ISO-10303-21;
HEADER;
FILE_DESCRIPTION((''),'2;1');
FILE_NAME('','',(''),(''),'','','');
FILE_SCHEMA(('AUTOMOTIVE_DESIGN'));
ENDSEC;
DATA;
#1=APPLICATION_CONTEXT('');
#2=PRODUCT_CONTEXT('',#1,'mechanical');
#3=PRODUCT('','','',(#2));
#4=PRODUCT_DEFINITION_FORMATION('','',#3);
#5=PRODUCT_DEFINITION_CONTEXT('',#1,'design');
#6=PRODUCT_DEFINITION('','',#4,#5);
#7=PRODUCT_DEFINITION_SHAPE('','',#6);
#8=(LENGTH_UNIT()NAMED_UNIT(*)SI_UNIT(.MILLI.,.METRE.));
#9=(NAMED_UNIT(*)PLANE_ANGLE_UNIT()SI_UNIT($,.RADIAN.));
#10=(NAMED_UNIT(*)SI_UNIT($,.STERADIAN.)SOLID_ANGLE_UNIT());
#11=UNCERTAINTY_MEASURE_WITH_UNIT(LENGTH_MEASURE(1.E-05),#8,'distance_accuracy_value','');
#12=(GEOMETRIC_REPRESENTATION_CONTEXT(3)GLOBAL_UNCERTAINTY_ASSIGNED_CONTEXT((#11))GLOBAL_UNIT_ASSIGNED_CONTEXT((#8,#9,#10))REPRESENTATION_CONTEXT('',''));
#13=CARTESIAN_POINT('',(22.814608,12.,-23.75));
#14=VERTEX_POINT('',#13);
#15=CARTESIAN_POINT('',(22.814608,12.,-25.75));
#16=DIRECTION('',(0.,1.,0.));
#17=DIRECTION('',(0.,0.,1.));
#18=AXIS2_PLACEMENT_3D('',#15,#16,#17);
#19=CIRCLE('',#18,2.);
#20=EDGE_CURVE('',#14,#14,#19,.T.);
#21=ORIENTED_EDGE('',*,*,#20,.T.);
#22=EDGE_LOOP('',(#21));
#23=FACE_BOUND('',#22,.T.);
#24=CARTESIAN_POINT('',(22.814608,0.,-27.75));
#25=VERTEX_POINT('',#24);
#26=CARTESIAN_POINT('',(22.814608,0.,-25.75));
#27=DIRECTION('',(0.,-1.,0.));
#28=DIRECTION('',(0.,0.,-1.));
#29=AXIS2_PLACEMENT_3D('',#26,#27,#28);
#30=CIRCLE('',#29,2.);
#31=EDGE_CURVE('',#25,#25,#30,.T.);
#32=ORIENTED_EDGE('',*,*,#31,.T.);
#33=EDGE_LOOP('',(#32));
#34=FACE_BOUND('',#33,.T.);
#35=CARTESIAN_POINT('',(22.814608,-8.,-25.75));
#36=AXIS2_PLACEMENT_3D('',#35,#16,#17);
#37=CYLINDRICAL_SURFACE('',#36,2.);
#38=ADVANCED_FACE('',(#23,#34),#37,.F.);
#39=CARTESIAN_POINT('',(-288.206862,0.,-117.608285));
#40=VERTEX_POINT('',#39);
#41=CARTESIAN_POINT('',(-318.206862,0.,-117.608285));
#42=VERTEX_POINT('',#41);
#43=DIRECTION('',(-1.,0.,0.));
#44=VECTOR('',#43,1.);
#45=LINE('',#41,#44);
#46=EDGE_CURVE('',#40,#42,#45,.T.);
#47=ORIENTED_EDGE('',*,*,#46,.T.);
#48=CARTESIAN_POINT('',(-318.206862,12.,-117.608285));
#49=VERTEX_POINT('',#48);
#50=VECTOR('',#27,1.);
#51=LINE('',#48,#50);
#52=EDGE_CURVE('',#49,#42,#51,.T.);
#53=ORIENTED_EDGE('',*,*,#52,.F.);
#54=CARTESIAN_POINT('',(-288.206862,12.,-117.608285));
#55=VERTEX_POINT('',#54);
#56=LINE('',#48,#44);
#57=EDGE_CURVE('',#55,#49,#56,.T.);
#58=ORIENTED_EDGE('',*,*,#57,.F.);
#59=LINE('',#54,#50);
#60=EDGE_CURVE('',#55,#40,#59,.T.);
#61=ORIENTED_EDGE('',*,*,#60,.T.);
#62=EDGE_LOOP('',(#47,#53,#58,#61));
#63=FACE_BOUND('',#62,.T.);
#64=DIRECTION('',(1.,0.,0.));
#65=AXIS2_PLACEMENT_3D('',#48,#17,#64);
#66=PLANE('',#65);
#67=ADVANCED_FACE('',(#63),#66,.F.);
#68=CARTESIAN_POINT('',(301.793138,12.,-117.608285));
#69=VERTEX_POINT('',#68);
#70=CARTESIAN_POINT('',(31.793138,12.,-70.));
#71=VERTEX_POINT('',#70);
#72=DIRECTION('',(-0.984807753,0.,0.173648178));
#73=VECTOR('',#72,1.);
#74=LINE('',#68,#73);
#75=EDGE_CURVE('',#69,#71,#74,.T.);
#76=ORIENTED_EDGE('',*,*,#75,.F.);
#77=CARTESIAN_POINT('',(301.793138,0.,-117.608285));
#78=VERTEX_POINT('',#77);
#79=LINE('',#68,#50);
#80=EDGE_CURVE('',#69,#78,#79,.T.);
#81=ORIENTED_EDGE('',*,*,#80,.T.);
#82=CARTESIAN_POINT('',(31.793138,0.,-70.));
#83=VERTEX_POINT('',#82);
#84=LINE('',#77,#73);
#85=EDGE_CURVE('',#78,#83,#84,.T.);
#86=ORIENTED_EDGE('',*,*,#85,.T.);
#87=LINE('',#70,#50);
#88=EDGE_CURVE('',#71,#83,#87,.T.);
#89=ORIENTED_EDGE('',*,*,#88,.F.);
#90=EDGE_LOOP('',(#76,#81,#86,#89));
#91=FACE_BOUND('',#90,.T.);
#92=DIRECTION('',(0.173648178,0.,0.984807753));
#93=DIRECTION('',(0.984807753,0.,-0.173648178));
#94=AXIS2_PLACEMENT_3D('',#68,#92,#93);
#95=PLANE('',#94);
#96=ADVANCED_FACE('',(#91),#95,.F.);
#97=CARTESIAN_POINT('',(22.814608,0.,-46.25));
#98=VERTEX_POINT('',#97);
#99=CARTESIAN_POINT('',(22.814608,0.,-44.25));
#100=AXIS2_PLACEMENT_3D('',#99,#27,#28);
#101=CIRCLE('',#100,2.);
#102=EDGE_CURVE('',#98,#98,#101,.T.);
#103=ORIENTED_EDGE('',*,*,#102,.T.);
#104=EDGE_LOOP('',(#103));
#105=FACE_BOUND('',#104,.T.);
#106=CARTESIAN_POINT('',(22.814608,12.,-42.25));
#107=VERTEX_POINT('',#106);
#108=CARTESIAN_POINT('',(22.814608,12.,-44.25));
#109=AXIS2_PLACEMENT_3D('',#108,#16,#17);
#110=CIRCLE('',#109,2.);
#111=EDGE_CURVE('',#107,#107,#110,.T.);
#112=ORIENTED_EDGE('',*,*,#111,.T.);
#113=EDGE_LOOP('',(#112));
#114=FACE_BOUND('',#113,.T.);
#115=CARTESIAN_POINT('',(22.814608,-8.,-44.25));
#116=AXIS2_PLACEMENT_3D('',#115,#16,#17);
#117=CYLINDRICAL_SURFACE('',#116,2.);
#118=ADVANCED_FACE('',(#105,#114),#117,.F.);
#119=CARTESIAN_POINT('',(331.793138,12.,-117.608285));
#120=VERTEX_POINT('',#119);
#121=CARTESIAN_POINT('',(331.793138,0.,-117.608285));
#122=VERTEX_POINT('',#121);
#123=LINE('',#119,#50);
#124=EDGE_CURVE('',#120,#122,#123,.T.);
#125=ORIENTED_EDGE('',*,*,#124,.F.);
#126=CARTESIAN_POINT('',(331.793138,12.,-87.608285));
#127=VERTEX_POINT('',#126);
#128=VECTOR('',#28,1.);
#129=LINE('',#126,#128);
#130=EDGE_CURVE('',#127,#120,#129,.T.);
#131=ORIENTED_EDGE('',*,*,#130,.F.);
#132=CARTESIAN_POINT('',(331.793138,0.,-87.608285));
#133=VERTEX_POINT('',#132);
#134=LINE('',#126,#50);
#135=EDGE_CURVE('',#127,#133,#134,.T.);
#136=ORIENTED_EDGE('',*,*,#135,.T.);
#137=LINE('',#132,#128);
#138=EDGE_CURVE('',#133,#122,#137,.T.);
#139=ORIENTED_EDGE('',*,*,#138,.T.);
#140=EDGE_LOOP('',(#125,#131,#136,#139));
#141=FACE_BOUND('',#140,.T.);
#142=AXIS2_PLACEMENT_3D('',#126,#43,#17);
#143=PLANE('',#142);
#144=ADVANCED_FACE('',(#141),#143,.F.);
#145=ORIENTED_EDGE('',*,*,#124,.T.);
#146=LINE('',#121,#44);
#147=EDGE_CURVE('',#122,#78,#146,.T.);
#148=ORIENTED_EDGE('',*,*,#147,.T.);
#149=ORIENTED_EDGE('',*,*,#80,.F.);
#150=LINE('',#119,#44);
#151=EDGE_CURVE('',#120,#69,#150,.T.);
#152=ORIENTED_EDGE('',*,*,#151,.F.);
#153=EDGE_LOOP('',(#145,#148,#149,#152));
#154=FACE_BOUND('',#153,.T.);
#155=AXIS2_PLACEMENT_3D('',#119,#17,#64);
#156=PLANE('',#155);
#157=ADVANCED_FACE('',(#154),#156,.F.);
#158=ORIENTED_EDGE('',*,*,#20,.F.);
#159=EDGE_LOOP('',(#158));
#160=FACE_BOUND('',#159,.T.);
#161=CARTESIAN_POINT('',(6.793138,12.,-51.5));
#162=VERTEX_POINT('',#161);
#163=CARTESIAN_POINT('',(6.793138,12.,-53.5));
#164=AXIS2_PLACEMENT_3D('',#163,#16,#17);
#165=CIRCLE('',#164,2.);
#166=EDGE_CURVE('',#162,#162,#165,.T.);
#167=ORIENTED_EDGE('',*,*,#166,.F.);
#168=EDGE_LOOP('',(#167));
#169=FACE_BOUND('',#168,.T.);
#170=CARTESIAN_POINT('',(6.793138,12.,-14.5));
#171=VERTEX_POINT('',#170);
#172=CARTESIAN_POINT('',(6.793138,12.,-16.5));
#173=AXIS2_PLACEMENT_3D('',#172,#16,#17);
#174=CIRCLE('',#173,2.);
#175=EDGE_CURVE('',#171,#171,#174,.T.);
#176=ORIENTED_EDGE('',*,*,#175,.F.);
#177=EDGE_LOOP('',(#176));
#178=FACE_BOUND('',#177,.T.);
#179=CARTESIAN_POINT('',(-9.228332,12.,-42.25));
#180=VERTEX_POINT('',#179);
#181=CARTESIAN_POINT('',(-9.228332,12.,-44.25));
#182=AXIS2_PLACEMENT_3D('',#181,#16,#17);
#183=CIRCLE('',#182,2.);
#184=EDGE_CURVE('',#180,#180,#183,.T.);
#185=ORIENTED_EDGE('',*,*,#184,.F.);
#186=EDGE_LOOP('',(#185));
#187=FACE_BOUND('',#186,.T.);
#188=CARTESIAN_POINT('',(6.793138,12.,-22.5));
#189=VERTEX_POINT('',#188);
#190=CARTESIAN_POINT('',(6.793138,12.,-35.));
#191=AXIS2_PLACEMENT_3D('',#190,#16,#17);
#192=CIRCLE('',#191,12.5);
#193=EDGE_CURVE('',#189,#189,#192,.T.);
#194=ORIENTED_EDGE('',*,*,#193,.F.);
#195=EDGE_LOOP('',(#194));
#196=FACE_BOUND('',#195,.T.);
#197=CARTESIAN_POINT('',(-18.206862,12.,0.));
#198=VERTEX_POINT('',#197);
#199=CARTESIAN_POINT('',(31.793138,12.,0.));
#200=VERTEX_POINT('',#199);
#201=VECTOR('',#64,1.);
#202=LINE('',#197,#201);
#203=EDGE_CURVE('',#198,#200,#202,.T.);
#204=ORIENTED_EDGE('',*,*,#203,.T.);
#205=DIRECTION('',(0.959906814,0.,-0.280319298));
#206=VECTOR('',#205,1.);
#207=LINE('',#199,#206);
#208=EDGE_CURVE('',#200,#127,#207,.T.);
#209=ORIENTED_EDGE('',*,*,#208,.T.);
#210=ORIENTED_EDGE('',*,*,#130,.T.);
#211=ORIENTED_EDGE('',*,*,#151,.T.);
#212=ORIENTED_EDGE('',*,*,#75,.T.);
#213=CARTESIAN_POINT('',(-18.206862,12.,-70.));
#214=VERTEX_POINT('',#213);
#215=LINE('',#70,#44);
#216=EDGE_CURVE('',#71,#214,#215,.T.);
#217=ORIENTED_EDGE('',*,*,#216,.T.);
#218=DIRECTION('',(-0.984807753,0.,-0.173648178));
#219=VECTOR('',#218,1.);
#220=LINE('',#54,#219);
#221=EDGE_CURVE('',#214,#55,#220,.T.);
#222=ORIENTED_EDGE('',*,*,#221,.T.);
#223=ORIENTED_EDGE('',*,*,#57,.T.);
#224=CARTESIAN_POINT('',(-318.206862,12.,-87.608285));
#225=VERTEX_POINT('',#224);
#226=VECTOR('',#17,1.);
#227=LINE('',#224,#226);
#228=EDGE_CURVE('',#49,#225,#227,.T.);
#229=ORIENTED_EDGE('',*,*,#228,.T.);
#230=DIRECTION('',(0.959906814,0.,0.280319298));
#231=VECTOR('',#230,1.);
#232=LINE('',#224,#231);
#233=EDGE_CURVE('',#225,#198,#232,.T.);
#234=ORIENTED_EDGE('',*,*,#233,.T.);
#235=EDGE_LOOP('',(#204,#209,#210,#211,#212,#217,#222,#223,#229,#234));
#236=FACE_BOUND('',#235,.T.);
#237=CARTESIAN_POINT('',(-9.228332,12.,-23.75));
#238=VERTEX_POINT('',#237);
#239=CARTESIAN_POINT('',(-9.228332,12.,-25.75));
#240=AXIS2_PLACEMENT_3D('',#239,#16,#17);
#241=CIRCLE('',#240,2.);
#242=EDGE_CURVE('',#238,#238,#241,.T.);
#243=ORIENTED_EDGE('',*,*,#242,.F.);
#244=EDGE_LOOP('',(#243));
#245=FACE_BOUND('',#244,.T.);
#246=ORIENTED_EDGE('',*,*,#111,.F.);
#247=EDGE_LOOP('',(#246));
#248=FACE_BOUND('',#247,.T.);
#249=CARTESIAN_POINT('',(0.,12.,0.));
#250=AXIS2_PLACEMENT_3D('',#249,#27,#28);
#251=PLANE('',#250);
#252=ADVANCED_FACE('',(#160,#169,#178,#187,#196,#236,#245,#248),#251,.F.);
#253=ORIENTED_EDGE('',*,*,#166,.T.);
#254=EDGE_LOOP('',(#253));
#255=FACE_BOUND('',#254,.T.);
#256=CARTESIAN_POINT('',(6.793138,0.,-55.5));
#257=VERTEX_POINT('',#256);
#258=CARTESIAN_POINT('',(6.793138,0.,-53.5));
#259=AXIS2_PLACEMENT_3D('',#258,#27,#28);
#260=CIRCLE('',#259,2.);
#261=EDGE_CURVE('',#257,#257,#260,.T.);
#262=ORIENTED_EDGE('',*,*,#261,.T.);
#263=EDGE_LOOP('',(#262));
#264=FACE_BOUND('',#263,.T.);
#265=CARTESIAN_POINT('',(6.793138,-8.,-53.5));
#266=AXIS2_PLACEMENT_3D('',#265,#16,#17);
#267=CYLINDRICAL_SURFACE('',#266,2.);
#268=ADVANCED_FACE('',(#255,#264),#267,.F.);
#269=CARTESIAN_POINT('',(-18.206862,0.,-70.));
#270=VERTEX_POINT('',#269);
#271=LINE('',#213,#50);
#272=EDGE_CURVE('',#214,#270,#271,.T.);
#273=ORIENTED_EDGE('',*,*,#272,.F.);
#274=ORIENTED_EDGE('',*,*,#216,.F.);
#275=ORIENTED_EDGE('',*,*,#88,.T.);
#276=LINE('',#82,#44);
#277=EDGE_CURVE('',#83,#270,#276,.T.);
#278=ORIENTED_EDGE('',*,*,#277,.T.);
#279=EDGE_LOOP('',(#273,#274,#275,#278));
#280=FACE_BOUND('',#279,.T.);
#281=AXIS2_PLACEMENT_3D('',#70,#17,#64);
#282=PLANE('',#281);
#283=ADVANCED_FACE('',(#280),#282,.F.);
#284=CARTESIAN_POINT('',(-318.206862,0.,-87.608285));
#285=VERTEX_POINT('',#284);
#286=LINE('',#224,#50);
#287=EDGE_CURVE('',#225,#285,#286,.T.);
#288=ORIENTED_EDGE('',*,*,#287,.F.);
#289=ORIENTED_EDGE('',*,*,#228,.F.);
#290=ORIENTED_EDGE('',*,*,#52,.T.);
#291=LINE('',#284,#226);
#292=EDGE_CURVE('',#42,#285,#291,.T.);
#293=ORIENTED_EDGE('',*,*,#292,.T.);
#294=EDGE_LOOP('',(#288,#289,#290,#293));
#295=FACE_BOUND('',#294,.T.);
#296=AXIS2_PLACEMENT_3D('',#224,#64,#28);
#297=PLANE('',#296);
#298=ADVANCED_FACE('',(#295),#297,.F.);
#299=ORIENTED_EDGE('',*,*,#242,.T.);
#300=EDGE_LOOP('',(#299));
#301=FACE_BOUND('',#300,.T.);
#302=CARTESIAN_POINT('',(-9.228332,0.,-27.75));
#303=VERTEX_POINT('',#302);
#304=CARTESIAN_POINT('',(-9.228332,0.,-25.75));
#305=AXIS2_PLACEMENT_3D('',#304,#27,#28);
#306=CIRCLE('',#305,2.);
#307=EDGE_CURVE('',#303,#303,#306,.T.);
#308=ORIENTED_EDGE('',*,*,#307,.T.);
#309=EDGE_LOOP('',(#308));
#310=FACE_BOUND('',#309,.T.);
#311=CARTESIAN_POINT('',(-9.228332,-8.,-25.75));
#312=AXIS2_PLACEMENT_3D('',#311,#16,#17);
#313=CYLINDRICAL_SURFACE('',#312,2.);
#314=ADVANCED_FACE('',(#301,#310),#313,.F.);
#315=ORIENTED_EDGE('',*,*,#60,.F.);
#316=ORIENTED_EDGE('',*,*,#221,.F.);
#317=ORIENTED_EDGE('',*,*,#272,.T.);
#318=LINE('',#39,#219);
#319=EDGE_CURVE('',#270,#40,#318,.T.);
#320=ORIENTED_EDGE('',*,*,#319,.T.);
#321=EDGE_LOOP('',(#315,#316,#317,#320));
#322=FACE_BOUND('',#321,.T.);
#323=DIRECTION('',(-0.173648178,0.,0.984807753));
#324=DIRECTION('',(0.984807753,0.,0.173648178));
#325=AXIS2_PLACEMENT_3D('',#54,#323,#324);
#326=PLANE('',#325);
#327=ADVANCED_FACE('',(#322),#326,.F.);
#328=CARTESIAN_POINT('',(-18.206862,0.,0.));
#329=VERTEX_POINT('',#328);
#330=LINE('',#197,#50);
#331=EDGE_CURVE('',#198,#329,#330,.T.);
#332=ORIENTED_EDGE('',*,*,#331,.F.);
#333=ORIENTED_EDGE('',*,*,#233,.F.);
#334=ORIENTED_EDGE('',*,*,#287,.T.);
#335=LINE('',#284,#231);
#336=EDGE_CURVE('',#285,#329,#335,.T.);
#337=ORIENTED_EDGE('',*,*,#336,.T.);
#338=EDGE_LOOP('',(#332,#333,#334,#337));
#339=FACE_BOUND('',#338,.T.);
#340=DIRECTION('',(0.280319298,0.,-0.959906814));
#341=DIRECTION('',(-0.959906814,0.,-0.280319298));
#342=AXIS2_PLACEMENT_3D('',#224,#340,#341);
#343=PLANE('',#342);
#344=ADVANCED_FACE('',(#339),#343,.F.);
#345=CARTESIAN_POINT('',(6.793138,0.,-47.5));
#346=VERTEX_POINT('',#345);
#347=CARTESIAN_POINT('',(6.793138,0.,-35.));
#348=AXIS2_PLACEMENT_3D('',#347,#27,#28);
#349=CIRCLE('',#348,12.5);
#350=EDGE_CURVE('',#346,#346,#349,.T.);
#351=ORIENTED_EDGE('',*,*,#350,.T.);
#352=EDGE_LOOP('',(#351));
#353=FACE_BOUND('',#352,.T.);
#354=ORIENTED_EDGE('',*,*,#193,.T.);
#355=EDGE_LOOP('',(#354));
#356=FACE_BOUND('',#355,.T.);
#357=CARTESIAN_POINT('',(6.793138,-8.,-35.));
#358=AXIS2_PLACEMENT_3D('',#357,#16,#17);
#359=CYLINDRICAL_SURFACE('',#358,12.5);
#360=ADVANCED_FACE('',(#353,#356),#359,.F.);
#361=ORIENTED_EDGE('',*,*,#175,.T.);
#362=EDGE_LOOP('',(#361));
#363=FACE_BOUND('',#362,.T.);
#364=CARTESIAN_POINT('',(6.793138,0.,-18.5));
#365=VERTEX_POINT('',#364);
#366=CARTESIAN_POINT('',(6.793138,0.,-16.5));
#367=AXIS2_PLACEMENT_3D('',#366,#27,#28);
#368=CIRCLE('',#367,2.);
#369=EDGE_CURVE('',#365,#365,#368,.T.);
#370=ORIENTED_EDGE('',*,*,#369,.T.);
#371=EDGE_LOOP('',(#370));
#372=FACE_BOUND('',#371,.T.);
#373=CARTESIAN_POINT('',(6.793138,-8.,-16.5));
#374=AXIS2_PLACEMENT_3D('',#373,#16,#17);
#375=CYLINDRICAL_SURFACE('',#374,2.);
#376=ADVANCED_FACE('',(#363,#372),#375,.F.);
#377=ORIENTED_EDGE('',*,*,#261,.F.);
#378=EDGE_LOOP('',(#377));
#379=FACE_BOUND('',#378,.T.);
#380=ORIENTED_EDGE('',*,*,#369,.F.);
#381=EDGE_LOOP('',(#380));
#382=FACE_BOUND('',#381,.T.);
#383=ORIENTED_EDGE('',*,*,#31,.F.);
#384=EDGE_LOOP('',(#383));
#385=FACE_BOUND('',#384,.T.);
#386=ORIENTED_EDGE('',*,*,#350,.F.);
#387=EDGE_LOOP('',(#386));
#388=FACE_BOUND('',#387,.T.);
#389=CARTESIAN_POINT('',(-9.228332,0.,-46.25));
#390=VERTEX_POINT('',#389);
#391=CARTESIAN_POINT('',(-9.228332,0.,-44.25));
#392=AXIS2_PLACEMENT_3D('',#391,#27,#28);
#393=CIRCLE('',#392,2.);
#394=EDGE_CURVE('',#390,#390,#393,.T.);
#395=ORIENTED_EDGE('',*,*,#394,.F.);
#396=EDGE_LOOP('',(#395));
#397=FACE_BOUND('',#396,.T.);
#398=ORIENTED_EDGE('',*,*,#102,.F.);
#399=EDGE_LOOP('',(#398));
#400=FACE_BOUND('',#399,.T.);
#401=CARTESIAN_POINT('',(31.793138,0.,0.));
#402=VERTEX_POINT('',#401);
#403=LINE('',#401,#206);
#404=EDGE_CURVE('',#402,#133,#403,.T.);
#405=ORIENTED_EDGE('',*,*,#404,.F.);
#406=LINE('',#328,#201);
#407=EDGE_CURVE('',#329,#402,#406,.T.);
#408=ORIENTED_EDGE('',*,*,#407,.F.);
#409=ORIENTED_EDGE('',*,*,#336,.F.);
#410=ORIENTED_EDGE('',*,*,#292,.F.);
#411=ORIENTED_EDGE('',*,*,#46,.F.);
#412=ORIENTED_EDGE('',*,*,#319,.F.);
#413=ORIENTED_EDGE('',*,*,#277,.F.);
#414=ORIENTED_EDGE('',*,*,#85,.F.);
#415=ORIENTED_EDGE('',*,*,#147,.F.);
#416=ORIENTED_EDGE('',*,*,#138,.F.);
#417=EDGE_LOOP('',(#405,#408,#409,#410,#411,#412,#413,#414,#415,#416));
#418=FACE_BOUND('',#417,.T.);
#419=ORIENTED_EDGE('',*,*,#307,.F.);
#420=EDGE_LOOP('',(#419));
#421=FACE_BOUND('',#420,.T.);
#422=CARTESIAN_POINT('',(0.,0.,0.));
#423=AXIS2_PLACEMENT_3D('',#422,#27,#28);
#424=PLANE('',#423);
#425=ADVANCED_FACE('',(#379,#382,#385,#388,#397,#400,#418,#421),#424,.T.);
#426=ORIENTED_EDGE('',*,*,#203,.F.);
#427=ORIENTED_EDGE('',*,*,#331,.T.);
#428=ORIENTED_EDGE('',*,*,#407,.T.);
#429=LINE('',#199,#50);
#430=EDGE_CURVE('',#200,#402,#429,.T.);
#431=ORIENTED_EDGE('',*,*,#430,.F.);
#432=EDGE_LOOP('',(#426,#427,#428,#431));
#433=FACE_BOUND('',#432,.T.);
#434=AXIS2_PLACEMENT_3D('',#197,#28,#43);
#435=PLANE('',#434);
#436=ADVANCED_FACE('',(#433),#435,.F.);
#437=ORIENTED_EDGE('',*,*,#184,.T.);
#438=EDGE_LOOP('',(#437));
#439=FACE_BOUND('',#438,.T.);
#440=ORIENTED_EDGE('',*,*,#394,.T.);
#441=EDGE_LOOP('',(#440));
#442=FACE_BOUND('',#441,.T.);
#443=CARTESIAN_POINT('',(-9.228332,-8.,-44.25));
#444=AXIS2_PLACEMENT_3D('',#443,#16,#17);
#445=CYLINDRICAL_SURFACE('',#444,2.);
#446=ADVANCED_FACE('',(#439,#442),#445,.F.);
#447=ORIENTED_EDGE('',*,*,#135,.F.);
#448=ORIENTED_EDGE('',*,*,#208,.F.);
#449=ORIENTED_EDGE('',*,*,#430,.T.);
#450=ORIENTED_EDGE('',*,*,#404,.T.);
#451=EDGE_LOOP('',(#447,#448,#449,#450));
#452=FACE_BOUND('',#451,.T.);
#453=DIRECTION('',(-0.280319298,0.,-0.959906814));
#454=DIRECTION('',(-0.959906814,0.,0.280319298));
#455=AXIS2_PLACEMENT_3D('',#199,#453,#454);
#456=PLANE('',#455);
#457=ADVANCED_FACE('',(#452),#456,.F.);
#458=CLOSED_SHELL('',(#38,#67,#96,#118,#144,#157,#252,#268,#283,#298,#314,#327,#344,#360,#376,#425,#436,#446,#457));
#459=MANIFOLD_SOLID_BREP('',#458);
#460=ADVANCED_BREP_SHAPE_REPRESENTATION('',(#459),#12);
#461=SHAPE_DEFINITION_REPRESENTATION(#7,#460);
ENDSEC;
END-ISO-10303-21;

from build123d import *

# Parameters (mm, degrees)
BOSS_EXTRUDE1_DEPTH = 12
SKETCH4_R           = 12.5
SKETCH4_R_2         = 2
CUT_EXTRUDE1_DEPTH  = 20


with BuildPart() as part:
    # Sketch2 → Boss-Extrude1 (new body)
    with BuildSketch(Plane(origin=(0, 0, 0), x_dir=(1, 0, 0), z_dir=(0, 1, 0))):
        Polygon((-318.206861599, 87.608284791), (-18.206861599, 0), (31.793138401, 0), (331.793138401, 87.608284791), (331.793138401, 117.608284791), (301.793138401, 117.608284791), (31.793138401, 70), (-18.206861599, 70), (-288.206861599, 117.608284791), (-318.206861599, 117.608284791), align=None)
    extrude(amount=BOSS_EXTRUDE1_DEPTH)

    # Sketch4 → Cut-Extrude1 (cut)
    with BuildSketch(Plane(origin=(0, 12, 0), x_dir=(1, 0, 0), z_dir=(0, 1, 0))):
        with Locations((6.793138401, 35)):
            Circle(SKETCH4_R)
        with Locations((6.793138401, 53.5)):
            Circle(SKETCH4_R_2)
        with Locations((22.814608371, 44.25)):
            Circle(SKETCH4_R_2)
        with Locations((22.814608371, 25.75)):
            Circle(SKETCH4_R_2)
        with Locations((6.793138401, 16.5)):
            Circle(SKETCH4_R_2)
        with Locations((-9.228331569, 25.75)):
            Circle(SKETCH4_R_2)
        with Locations((-9.228331569, 44.25)):
            Circle(SKETCH4_R_2)
    extrude(amount=-CUT_EXTRUDE1_DEPTH, mode=Mode.SUBTRACT)


solid = part.part
